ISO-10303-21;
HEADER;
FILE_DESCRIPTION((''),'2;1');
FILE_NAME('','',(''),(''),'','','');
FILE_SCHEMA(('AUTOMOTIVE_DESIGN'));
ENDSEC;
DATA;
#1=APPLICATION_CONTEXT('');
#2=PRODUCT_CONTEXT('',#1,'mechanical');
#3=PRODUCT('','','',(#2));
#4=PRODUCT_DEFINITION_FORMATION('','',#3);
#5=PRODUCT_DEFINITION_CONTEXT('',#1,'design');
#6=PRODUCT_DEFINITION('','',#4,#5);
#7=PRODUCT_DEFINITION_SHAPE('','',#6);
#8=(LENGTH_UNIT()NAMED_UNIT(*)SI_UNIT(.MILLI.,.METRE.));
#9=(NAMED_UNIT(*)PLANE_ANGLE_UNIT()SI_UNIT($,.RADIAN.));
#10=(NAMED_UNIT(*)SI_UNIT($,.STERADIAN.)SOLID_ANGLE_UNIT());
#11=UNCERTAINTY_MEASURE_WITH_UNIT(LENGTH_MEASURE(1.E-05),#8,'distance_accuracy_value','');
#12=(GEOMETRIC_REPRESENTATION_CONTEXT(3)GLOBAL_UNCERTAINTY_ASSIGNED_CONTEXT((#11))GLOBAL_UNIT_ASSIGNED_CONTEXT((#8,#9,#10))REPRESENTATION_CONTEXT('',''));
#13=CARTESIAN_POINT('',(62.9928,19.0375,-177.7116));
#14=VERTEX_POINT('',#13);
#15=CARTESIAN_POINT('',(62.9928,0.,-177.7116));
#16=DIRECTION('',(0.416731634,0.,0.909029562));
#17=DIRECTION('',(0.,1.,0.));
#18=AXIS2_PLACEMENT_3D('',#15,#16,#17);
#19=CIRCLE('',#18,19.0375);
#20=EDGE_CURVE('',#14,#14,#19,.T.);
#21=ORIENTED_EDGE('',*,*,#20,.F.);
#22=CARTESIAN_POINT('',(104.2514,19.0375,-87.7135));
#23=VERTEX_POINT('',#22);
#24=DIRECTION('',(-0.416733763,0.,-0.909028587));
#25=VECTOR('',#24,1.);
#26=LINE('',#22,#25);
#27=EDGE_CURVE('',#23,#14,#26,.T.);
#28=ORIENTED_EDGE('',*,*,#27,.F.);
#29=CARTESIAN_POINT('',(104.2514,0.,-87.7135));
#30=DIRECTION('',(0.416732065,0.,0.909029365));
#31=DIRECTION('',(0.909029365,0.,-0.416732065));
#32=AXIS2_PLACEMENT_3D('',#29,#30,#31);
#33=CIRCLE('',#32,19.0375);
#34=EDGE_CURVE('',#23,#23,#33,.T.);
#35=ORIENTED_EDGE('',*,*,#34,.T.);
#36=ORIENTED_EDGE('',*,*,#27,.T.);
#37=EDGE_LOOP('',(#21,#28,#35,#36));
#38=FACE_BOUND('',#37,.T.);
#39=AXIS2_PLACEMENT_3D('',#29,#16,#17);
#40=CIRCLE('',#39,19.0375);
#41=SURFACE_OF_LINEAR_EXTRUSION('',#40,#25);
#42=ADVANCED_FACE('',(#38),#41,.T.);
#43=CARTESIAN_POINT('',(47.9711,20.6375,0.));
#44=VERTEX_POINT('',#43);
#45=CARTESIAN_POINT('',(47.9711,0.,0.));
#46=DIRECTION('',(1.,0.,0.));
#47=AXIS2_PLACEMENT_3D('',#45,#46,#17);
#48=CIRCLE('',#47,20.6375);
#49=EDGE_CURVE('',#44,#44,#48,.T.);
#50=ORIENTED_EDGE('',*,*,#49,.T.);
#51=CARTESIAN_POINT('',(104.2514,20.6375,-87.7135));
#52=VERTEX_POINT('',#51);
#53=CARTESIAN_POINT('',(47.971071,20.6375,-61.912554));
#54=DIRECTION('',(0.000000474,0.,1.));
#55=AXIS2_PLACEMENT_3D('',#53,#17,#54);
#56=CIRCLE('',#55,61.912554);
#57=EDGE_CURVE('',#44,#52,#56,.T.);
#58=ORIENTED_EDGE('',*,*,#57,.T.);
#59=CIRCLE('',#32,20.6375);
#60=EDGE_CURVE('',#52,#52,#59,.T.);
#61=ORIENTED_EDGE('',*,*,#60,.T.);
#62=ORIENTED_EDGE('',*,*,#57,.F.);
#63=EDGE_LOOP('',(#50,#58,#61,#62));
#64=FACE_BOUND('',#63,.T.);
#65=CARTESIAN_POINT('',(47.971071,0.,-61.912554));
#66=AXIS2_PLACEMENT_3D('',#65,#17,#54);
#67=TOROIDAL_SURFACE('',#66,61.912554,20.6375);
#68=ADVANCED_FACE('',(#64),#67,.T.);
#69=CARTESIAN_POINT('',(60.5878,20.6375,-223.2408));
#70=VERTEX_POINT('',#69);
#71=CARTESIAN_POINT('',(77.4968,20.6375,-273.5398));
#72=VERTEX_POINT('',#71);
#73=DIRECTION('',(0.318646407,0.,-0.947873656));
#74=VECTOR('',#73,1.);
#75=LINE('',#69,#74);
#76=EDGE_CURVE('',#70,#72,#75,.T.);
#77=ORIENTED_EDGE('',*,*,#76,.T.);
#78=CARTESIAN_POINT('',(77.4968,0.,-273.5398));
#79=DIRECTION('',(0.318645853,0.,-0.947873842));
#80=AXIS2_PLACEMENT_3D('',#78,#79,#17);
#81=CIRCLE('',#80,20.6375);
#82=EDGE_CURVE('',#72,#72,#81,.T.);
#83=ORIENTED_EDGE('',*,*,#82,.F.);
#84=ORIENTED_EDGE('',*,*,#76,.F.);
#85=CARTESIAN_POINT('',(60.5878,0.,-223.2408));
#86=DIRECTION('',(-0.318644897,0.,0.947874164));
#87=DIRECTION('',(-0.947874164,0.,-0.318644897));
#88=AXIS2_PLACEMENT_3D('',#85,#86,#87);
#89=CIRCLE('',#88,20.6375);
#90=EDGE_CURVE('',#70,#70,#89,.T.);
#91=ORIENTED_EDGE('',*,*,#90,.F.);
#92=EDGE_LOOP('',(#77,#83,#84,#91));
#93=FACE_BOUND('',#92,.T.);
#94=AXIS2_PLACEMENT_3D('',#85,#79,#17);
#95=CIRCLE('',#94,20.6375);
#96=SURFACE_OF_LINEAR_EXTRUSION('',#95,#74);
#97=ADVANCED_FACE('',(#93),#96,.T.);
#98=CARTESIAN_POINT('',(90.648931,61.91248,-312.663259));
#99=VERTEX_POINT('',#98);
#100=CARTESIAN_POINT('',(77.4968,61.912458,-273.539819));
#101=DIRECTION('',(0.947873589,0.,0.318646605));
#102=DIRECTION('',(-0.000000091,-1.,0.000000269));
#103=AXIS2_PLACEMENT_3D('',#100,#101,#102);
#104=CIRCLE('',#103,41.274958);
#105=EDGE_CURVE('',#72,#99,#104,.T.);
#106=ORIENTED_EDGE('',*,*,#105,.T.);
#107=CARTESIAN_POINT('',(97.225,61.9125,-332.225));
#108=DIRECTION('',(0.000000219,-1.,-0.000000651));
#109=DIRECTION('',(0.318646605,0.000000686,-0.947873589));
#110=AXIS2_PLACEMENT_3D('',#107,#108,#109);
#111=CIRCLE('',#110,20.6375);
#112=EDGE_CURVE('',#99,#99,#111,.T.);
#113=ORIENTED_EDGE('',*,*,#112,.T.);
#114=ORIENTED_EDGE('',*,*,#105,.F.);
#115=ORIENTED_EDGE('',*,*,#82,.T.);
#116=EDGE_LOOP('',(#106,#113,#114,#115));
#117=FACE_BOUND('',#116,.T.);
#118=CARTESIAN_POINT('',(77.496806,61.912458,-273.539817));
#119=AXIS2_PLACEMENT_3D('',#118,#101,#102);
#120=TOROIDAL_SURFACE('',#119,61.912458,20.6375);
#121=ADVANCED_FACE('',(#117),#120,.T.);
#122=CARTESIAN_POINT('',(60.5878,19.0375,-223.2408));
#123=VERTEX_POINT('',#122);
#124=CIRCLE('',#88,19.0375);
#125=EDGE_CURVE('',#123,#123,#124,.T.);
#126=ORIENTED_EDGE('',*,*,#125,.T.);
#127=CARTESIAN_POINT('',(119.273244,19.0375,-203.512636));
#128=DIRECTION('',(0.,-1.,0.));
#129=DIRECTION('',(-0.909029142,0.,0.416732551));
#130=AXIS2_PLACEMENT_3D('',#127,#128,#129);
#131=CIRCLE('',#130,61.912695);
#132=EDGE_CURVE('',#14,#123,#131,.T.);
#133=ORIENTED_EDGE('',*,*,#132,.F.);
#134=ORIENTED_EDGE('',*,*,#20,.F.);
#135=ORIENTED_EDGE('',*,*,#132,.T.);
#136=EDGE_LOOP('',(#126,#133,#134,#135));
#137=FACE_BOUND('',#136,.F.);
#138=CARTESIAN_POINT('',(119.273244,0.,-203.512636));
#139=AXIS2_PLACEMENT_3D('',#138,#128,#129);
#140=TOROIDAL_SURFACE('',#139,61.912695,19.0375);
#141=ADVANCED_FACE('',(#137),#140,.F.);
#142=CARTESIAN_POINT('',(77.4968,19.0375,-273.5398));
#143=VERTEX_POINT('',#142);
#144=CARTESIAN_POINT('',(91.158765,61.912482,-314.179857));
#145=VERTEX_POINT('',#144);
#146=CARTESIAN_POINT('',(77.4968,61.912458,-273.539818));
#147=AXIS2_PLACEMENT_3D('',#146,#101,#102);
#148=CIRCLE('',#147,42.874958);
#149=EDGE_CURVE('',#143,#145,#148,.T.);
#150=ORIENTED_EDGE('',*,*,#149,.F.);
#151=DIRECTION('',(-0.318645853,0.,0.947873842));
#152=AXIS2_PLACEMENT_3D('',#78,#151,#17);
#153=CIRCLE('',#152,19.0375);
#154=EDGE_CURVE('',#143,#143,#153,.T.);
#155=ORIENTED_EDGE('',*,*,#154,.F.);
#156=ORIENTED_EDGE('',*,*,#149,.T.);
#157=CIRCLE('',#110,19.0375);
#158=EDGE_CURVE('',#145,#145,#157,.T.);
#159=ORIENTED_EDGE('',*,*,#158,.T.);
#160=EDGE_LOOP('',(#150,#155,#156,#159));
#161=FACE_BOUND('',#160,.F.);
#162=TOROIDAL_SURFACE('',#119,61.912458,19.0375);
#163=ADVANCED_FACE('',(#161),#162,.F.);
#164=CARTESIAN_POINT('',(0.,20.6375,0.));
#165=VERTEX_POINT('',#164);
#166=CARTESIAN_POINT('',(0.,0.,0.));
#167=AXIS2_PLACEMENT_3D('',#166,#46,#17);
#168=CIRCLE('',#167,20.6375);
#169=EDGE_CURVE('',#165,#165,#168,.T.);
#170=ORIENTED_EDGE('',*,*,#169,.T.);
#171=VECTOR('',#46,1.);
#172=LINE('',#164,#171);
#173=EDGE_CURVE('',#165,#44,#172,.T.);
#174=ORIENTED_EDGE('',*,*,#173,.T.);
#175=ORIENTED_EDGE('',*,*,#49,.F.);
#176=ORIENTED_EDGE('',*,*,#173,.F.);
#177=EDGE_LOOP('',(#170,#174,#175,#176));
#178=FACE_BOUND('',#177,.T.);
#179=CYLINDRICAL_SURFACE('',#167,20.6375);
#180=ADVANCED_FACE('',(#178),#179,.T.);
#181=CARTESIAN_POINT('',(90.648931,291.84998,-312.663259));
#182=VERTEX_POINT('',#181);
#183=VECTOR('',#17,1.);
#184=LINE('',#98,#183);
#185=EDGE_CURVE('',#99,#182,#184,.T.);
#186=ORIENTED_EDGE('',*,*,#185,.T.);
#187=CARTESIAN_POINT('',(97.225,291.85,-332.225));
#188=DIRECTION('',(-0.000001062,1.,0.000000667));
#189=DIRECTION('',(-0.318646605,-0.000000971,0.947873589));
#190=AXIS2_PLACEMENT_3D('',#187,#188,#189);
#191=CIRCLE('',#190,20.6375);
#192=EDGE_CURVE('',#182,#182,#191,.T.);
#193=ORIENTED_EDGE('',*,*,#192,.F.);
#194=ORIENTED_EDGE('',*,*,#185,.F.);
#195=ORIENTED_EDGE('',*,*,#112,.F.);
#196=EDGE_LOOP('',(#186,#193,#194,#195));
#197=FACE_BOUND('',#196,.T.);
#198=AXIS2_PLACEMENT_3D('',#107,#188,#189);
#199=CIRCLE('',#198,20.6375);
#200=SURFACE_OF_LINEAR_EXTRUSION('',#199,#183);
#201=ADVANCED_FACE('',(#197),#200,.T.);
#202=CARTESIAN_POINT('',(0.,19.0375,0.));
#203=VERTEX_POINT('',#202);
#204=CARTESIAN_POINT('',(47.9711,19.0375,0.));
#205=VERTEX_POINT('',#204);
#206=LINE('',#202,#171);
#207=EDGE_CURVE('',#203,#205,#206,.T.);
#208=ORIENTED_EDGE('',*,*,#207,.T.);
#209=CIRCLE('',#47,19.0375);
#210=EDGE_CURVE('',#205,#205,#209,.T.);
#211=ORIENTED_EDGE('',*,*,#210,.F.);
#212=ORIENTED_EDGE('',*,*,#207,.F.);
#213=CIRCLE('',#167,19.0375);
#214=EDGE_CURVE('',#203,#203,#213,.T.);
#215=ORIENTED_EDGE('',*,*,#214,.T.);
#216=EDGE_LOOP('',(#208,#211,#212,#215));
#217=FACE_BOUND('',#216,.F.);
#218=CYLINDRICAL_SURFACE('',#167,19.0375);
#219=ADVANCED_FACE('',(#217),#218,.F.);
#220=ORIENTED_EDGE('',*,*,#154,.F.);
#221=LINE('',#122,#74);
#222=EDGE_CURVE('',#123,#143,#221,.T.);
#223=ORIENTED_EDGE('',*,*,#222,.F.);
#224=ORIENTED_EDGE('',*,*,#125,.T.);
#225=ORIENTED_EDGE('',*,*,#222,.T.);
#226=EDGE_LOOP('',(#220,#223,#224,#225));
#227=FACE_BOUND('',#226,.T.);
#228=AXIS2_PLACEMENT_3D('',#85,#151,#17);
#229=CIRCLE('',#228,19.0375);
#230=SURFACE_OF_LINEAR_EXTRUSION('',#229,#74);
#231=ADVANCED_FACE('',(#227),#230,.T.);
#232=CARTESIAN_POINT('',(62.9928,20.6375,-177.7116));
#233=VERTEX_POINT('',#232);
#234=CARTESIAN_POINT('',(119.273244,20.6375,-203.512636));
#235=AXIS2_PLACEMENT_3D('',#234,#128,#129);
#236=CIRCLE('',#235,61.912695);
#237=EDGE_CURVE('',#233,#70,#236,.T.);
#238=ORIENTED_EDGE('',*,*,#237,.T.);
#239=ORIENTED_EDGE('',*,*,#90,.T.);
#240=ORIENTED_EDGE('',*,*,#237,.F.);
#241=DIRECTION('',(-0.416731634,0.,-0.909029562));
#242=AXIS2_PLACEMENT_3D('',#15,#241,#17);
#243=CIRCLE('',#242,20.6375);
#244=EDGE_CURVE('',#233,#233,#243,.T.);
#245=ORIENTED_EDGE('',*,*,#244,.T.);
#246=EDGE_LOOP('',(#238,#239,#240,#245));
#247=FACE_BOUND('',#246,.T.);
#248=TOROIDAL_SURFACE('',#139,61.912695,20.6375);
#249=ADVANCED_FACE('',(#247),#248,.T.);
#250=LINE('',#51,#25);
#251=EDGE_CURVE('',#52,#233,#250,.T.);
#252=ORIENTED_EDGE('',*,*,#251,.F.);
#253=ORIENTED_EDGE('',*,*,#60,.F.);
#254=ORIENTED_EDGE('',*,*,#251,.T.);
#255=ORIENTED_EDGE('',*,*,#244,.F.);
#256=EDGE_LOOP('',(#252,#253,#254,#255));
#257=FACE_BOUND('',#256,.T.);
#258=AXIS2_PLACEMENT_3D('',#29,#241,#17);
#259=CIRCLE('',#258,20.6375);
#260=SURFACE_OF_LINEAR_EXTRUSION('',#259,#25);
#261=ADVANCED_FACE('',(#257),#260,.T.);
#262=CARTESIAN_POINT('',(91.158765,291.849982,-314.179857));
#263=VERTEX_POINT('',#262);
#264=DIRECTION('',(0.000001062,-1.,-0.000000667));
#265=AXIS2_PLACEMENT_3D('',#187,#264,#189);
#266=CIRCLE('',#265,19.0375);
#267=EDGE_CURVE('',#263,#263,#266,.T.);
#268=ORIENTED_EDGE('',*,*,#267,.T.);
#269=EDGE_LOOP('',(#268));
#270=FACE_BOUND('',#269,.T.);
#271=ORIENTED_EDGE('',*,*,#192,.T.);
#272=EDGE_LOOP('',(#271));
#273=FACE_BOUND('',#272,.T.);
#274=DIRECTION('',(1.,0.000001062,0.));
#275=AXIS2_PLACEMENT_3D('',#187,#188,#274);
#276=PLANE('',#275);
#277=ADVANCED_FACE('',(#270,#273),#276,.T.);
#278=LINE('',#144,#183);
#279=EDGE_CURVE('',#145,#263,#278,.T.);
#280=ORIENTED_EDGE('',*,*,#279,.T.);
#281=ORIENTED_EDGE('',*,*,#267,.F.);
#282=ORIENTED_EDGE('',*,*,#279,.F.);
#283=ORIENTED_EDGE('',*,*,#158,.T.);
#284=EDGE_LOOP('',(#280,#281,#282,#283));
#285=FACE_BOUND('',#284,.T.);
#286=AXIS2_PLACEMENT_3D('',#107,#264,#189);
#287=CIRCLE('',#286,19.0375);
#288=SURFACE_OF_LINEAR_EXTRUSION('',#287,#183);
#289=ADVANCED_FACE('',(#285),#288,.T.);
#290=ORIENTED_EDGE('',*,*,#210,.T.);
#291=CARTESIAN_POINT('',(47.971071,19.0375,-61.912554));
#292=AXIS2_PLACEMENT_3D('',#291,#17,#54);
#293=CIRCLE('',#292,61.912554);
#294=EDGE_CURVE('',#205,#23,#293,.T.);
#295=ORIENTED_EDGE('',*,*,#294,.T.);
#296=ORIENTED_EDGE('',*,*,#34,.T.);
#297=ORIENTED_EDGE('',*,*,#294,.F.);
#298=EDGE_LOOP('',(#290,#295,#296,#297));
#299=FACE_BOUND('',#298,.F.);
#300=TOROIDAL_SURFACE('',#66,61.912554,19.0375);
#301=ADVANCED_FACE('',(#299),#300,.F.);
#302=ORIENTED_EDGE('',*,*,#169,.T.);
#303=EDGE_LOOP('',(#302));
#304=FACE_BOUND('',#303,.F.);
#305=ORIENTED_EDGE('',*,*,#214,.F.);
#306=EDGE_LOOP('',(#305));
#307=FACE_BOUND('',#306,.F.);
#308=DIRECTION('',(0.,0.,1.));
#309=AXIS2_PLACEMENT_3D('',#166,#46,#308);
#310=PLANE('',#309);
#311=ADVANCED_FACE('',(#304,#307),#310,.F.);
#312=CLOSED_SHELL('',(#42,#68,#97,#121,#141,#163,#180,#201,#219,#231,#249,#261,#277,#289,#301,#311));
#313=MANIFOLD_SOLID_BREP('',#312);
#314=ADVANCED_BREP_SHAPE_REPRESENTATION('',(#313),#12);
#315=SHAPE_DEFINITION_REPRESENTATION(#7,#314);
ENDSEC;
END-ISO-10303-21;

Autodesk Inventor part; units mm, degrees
sketch "Sketch1" plane through (0, 0, 0) normal (1, 0, 0) x (0, 1, 0)
  line L0 (0, 0) -> (0, -200)
  line L1 (0, -200) -> (0, -332.225)
  line L2 (0, -332.225) -> (291.85, -332.225)
  line L3 (0, 0) -> (0, -144.4625) construction
  line L4 (0, -144.4625) -> (0, -52.775) construction
  line L5 (0, -52.775) -> (0, -97.225) construction
  line L6 (0, -97.225) -> (291.85, -97.225) construction
  dimension "d0" = 332.225
  dimension "d1" = 0
  dimension "d4" = 200
  dimension "d5" = 291.85
  dimension "d6" = 144.4625
  dimension "d7" = 97.225
  dimension "d8" = 52.775
ref_plane "Work Plane1" through (144.4625, 0, 0) normal (1, 0, 0) x (0, 1, 0)
ref_plane "Work Plane2" through (52.775, 0, 0) normal (1, 0, 0) x (0, 1, 0)
ref_plane "Work Plane3" through (97.225, 0, 0) normal (1, 0, 0) x (0, 1, 0)
sketch "Sketch2" plane through (144.4625, 0, 0) normal (1, 0, 0) x (0, 1, 0)
  point P0 (0, 0)
  point P1 (0, 0)
sketch "Sketch3" plane through (52.775, 0, 0) normal (1, 0, 0) x (0, 1, 0)
  point P0 (0, 0)
  point P1 (0, -200)
  point P2 (0, -332.225)
sketch "Sketch4" plane through (97.225, 0, 0) normal (1, 0, 0) x (0, 1, 0)
  point P0 (0, 0)
  point P1 (291.85, -332.225)
  point P2 (0, -332.225)
sketch "Sketch5" plane through (0, 0, 0) normal (1, 0, 0) x (0, 1, 0)
  circle A0 centre (0, 0) radius 20.6375
  circle A1 centre (0, 0) radius 19.0375
  dimension "d15" = 1.6
  dimension "d17" = 41.275
sketch3d "3D Sketch1"
  line L0 (0, 0, 0) -> (47.9711, 0, 0)
  arc A0 (47.9711, 0, 0) -> (104.2514, 0, -87.7135) centre (47.9711, 0, -61.9125) ccw
  line L1 (104.2514, 0, -87.7135) -> (62.9928, 0, -177.7116)
  arc A1 (62.9928, 0, -177.7116) -> (60.5878, 0, -223.2408) centre (119.2731, 0, -203.5126) ccw
  line L2 (60.5878, 0, -223.2408) -> (77.4968, 0, -273.5398)
  arc A2 (77.4968, 0, -273.5398) -> (97.225, 61.9125, -332.225) centre (77.4968, 61.9125, -273.5398) ccw
  line L3 (97.225, 61.9125, -332.225) -> (97.225, 291.85, -332.225)
  dimension "d14" = 61.9125
  dimension "d12" = 61.9125
  dimension "d13" = 61.9125
sweep "Sweep1" add profiles "Sketch5" path "3D Sketch1"
equation "\"d14\" = d12"
equation "\"d13\" = d12"
equation "\"d9\" = d6"
equation "\"d10\" = d8"
equation "\"d11\" = d7"
properties part number "exhaust header right pipe 3" material "Steel"
